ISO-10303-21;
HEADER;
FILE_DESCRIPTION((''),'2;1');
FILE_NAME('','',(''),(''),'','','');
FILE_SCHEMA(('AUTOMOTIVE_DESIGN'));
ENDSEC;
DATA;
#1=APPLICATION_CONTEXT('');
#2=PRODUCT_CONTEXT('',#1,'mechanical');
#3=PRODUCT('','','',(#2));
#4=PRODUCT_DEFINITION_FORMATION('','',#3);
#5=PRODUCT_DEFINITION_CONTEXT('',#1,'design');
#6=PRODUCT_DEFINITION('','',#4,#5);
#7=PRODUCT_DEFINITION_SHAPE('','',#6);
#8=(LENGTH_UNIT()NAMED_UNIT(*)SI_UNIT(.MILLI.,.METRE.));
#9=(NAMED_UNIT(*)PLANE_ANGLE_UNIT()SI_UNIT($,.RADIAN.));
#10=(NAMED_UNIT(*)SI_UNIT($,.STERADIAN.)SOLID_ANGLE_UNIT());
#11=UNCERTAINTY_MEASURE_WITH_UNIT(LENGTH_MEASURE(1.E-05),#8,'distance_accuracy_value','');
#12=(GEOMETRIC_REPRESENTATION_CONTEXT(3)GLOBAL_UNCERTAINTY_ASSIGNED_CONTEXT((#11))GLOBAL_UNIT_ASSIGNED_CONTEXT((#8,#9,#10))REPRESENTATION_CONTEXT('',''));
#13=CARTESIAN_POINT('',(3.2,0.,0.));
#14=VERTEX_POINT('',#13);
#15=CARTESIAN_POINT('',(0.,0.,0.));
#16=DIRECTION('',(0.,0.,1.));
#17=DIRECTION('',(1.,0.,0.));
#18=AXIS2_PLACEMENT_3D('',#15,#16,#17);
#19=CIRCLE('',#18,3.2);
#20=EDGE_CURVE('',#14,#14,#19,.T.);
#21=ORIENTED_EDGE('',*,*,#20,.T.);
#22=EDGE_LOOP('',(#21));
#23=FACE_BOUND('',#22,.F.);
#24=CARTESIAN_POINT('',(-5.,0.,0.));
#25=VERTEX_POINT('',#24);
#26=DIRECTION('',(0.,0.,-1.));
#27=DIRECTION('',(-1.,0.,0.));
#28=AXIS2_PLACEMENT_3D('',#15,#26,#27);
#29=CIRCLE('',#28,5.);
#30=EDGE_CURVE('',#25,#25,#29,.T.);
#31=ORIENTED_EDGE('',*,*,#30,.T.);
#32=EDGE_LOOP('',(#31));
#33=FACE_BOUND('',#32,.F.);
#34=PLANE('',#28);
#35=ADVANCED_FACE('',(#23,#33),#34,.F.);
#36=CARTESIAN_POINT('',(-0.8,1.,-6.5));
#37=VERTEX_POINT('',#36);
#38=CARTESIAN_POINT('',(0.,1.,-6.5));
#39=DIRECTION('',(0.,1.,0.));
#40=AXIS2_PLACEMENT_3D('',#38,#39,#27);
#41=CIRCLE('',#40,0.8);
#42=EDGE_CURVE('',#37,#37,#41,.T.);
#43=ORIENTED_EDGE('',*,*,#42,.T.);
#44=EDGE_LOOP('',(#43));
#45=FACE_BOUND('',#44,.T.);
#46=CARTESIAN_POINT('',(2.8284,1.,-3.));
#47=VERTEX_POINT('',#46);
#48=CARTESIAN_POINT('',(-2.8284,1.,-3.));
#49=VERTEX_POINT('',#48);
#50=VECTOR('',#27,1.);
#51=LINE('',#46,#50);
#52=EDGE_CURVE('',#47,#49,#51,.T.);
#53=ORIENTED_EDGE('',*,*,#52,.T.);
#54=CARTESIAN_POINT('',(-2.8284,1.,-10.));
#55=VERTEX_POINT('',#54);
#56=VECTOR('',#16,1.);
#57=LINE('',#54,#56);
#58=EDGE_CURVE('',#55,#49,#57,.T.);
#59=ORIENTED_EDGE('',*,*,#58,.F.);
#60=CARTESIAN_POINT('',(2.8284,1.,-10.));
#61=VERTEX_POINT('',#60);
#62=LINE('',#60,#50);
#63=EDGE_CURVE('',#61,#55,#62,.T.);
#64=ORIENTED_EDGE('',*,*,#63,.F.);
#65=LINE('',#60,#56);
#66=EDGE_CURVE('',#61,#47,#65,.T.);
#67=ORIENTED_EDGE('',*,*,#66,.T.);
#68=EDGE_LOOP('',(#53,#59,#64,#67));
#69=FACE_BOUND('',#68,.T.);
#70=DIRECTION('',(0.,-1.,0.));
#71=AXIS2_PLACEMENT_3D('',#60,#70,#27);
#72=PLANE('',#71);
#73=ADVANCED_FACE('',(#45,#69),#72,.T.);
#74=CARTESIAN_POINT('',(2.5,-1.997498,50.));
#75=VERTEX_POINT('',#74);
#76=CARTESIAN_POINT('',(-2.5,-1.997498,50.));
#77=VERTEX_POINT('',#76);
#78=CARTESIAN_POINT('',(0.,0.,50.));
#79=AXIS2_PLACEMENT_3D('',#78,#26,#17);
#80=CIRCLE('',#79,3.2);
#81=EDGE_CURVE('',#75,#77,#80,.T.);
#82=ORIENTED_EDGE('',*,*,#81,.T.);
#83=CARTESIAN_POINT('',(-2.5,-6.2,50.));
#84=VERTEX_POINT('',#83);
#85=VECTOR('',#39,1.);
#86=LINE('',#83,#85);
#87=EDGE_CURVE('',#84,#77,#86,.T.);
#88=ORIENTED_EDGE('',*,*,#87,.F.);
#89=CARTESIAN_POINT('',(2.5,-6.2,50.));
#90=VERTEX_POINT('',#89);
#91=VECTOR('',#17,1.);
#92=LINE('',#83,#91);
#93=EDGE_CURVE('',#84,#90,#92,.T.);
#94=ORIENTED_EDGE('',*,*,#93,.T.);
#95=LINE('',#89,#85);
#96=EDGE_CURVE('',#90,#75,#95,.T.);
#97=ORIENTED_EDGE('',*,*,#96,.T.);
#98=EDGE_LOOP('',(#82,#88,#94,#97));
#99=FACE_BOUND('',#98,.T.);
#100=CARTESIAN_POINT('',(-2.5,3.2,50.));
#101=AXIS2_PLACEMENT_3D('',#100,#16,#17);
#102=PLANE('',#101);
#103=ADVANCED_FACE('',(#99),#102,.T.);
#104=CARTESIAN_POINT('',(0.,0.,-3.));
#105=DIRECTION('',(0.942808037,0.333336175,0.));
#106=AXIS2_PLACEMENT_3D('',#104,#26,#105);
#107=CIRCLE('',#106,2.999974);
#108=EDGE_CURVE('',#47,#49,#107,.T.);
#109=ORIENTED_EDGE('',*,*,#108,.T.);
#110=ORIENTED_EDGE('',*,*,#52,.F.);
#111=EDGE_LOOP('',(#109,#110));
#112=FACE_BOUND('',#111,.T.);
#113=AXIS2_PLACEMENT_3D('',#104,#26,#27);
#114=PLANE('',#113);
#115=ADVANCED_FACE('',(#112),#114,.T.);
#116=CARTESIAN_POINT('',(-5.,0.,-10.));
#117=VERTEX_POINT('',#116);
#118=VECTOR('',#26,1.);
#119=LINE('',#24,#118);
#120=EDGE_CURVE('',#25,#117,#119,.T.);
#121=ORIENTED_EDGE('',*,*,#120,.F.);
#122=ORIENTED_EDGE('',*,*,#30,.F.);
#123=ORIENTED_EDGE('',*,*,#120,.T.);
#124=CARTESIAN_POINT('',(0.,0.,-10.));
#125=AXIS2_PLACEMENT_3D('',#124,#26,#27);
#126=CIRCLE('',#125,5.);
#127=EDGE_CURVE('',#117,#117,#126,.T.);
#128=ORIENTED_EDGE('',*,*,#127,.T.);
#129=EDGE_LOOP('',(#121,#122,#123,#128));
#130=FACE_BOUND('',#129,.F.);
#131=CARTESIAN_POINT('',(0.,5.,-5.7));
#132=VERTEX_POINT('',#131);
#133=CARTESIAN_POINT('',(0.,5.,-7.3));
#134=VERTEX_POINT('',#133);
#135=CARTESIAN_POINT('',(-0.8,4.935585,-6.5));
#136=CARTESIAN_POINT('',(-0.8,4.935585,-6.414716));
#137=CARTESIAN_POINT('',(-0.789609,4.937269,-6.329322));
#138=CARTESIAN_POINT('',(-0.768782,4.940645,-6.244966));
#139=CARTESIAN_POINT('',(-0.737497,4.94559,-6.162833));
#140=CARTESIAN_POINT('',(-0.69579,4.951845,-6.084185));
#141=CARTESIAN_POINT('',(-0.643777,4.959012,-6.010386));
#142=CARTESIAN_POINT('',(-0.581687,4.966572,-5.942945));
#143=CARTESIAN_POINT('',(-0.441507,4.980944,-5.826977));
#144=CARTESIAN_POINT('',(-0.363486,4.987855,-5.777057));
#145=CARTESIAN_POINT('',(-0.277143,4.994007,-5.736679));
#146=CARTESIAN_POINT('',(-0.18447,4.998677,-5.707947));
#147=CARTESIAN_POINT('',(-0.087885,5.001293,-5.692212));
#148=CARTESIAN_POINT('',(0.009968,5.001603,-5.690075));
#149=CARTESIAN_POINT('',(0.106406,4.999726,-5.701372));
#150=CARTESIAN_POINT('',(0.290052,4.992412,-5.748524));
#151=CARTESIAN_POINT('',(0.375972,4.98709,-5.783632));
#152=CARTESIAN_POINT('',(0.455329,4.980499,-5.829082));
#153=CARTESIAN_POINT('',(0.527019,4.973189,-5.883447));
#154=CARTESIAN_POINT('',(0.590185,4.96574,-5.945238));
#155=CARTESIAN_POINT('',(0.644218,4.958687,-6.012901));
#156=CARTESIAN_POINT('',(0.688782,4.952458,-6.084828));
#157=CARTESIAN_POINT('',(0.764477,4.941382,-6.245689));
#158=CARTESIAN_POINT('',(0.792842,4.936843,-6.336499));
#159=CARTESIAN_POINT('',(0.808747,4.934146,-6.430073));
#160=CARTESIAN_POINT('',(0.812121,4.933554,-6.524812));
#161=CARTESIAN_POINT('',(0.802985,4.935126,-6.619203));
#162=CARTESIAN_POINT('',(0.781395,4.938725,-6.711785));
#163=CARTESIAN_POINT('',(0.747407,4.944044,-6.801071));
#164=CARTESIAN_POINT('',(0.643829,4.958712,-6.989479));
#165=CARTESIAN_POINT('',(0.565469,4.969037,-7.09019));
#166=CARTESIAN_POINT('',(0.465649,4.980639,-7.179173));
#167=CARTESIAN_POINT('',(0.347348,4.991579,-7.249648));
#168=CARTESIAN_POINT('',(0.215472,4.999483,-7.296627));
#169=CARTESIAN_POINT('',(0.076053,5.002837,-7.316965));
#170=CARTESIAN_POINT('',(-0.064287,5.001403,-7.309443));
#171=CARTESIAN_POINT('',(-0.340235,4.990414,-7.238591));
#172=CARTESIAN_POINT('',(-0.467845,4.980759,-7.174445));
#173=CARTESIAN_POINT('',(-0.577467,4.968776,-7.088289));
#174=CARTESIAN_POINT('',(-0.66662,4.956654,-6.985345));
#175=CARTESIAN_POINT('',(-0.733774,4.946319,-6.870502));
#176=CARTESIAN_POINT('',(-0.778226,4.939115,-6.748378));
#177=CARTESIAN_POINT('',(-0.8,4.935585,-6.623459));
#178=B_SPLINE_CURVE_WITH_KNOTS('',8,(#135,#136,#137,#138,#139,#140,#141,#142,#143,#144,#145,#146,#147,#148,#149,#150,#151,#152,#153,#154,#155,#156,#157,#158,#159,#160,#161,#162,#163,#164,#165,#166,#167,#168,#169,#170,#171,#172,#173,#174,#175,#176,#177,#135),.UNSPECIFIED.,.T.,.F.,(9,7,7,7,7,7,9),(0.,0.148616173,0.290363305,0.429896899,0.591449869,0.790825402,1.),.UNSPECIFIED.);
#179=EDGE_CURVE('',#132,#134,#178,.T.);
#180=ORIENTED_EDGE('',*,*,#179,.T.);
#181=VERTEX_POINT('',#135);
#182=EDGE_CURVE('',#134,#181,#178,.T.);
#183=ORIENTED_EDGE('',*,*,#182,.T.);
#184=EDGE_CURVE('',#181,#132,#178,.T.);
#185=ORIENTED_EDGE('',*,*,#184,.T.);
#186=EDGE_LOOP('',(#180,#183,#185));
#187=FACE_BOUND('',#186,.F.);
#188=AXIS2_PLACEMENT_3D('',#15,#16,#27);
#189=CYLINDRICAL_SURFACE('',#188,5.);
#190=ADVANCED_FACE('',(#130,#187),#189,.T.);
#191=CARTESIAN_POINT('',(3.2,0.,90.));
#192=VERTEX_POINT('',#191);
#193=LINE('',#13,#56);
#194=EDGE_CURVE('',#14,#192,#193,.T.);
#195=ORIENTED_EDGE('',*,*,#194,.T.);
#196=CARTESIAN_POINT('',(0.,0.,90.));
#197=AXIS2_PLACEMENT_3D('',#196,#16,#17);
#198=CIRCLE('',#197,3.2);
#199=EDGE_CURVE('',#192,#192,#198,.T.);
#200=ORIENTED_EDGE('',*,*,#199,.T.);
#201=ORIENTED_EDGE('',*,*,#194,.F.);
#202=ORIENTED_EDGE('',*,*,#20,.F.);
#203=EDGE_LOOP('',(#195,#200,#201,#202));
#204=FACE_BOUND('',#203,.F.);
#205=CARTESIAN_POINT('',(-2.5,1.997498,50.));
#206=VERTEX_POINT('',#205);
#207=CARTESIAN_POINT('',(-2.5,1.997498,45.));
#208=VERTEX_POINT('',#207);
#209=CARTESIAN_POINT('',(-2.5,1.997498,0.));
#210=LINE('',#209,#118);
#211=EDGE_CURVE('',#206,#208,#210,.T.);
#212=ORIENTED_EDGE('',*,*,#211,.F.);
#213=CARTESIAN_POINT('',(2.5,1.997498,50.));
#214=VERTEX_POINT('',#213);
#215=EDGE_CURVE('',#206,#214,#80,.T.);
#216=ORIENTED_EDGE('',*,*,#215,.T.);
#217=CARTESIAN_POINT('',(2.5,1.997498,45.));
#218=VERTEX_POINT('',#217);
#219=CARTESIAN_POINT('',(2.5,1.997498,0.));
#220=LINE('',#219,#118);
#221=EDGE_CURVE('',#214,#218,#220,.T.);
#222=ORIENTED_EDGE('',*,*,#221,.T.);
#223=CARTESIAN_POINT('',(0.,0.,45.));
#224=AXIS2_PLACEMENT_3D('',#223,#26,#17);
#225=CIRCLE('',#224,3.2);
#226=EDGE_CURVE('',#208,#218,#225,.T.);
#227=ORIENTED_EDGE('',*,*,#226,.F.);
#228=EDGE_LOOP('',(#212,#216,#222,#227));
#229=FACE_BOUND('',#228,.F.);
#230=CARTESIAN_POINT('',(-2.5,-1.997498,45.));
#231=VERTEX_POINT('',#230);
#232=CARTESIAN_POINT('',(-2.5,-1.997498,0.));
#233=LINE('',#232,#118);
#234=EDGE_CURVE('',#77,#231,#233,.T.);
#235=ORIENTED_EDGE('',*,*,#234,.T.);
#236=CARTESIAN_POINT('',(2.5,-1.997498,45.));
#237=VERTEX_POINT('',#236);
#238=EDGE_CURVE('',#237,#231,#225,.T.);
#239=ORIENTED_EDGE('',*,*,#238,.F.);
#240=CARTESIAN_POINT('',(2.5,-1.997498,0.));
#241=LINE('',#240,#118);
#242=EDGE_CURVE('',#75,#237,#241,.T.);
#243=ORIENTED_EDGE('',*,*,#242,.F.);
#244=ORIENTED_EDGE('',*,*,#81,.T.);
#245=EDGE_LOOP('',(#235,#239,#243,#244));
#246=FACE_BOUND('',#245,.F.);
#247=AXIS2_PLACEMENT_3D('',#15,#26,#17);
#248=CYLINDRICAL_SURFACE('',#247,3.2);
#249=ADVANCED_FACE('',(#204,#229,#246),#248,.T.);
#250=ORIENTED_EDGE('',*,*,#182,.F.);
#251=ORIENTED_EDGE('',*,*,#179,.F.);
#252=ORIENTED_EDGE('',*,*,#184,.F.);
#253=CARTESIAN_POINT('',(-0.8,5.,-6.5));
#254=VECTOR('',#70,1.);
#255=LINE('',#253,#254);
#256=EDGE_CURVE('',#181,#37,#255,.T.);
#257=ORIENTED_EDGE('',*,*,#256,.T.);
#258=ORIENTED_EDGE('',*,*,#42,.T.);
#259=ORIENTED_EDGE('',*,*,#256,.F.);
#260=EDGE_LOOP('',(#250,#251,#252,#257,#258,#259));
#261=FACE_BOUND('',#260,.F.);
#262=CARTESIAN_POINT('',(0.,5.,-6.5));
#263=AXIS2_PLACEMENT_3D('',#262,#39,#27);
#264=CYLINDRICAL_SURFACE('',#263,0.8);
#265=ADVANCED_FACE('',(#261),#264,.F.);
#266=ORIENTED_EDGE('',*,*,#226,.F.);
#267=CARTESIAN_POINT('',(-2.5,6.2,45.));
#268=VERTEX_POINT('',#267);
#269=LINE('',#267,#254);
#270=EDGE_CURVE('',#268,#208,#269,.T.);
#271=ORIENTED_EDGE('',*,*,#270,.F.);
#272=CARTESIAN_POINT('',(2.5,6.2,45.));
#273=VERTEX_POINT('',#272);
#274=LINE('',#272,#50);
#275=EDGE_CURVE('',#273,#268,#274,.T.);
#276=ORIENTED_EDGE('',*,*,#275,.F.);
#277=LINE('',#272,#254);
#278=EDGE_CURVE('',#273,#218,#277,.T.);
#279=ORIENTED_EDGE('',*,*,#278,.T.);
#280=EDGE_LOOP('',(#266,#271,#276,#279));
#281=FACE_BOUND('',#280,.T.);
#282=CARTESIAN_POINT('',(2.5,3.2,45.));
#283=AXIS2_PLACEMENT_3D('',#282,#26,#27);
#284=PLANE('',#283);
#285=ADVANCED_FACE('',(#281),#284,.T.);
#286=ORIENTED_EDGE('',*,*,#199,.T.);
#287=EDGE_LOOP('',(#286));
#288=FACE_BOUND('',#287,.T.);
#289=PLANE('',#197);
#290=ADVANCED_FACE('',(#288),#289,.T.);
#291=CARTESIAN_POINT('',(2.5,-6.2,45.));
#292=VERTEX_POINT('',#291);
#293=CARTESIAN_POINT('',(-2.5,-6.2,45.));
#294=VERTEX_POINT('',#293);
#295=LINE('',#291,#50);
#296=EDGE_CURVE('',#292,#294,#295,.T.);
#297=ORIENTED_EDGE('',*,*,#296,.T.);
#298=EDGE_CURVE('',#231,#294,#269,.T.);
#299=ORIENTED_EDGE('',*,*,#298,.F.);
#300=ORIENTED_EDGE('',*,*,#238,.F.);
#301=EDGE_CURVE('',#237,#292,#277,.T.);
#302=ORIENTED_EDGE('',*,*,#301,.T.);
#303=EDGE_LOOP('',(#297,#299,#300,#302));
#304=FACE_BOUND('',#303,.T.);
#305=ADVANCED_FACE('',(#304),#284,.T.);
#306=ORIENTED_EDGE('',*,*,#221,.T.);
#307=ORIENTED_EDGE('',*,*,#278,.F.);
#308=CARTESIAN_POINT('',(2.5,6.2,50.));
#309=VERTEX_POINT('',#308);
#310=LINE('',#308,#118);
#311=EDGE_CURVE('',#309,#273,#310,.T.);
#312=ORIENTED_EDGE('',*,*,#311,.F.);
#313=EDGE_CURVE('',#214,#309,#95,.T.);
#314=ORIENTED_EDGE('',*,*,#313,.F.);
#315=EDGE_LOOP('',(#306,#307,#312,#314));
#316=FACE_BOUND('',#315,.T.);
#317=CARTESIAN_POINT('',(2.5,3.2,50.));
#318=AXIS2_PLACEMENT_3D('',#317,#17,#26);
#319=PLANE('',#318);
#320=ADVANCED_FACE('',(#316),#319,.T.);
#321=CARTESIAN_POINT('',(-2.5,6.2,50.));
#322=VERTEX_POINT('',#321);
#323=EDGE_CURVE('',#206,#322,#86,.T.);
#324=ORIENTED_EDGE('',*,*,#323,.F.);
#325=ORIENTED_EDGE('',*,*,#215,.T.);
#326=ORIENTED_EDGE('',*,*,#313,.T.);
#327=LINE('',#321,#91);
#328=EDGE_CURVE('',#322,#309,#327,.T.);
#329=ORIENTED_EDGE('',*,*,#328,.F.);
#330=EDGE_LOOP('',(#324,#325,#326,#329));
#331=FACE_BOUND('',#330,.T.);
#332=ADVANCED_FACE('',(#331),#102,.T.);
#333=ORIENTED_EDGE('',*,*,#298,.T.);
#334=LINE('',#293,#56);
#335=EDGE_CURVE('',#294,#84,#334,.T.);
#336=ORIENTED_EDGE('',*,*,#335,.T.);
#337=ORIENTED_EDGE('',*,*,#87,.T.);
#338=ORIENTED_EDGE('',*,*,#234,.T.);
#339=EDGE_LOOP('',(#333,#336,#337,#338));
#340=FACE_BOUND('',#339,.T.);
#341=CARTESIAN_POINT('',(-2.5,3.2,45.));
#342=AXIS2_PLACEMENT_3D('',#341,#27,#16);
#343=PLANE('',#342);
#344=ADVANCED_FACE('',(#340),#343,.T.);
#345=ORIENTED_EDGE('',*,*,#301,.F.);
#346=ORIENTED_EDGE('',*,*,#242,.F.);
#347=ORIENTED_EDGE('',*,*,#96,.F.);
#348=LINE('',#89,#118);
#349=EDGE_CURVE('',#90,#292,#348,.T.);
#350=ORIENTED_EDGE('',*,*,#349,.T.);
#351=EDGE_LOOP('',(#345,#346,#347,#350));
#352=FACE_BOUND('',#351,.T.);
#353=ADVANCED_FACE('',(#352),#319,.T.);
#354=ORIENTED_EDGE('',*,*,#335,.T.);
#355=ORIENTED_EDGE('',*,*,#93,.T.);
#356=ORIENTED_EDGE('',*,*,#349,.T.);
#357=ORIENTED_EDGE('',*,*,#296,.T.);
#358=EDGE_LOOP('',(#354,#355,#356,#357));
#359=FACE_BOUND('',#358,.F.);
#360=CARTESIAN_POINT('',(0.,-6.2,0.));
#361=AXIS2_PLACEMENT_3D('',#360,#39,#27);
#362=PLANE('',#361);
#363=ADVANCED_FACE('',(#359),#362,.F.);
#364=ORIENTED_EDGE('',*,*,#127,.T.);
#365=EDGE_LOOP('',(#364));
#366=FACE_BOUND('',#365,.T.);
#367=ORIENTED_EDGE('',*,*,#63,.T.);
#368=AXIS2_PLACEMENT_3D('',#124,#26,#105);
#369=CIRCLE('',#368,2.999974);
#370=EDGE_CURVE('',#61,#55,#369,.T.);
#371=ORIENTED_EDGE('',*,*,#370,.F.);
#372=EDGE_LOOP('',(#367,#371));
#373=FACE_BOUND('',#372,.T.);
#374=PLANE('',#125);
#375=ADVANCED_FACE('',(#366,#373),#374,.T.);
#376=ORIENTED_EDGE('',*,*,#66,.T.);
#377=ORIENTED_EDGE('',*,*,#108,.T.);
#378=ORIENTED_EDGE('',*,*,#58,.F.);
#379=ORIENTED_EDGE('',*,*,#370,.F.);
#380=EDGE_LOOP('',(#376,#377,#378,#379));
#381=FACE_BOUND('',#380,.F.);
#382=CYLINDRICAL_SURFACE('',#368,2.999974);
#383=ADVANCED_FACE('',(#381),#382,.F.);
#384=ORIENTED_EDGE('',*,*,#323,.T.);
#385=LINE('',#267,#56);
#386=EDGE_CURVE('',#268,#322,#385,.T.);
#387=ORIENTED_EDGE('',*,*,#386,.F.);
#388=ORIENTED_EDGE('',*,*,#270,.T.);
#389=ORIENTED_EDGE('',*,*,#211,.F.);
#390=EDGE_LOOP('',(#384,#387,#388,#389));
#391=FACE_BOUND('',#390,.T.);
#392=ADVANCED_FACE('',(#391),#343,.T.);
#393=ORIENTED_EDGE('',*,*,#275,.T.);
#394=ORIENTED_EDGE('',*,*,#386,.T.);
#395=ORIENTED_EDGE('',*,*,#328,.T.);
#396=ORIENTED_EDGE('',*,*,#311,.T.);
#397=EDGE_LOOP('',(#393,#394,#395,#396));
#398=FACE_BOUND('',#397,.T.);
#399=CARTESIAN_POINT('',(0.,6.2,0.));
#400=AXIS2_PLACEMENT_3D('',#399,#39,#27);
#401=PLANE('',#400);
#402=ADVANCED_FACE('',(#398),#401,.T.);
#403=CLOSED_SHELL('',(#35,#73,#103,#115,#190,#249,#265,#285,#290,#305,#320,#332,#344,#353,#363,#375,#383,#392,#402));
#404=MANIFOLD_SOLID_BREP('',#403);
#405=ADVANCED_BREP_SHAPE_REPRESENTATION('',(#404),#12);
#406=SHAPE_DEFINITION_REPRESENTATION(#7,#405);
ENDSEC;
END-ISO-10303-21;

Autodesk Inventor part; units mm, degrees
ref_plane "YZ Plane" through (0, 0, 0) normal (1, 0, 0) x (0, 1, 0)
sketch "Sketch1" plane through (0, 0, 0) normal (0, 0, 1) x (1, 0, 0)
  circle A0 centre (0, 0) radius 3.2
  dimension "d0" = 6.4
extrude "Extrusion1" add sketch "Sketch1" along normal blind 90
ref_plane "Work Plane2" through (0, 3.2, 0) normal (0, 1, 0) x (-1, 0, 0)
sketch "Sketch7" plane through (0, 3.2, 0) normal (0, 1, 0) x (-1, 0, 0)
  line L0 (2.5, 50) -> (-2.5, 50)
  line L1 (-2.5, 50) -> (-2.5, 45)
  line L2 (-2.5, 45) -> (2.5, 45)
  line L3 (2.5, 45) -> (2.5, 50)
  line L4 (-3.2, 0) -> (3.2, 0) projected
  line L5 (3.2, 90) -> (-3.2, 90) projected
  point P0 (0, 0)
  dimension "d30" = 5
  dimension "d31" = 5
  dimension "d32" = 2.5
  dimension "d42" = 40
extrude "Extrusion6" add sketch "Sketch7" against normal blind 9.4 and the other way blind 3
sketch "Sketch9" plane through (0, 0, 0) normal (0, 0, -1) x (-1, 0, 0)
  circle A0 centre (0, 0) radius 5
  dimension "d43" = 10
extrude "Extrusion8" add sketch "Sketch9" along normal blind 10
sketch "Sketch10" plane through (0, 0, -10) normal (0, 0, -1) x (-1, 0, 0)
  arc A0 (-2.8284, 1) -> (2.8284, 1) centre (0, 0) ccw
  line L0 (-2.8284, 1) -> (2.8284, 1)
  dimension "d46" = 6
  dimension "d47" = 1
extrude "Extrusion9" cut sketch "Sketch10" against normal blind 7
ref_plane "Work Plane4" through (0, 5, 0) normal (0, 1, 0) x (-1, 0, 0)
sketch "Sketch12" plane through (0, 5, 0) normal (0, 1, 0) x (-1, 0, 0)
  circle A0 centre (0, -6.5) radius 0.8
  line L0 (-5, -10) -> (5, -10) projected
  point P0 (0, 0)
  dimension "d54" = 1.6
  dimension "d55" = 3.5
extrude "Extrusion11" cut sketch "Sketch12" against normal up to next
equation "\"d32\" = 0.5 * d30"
properties part number "Rotation"
